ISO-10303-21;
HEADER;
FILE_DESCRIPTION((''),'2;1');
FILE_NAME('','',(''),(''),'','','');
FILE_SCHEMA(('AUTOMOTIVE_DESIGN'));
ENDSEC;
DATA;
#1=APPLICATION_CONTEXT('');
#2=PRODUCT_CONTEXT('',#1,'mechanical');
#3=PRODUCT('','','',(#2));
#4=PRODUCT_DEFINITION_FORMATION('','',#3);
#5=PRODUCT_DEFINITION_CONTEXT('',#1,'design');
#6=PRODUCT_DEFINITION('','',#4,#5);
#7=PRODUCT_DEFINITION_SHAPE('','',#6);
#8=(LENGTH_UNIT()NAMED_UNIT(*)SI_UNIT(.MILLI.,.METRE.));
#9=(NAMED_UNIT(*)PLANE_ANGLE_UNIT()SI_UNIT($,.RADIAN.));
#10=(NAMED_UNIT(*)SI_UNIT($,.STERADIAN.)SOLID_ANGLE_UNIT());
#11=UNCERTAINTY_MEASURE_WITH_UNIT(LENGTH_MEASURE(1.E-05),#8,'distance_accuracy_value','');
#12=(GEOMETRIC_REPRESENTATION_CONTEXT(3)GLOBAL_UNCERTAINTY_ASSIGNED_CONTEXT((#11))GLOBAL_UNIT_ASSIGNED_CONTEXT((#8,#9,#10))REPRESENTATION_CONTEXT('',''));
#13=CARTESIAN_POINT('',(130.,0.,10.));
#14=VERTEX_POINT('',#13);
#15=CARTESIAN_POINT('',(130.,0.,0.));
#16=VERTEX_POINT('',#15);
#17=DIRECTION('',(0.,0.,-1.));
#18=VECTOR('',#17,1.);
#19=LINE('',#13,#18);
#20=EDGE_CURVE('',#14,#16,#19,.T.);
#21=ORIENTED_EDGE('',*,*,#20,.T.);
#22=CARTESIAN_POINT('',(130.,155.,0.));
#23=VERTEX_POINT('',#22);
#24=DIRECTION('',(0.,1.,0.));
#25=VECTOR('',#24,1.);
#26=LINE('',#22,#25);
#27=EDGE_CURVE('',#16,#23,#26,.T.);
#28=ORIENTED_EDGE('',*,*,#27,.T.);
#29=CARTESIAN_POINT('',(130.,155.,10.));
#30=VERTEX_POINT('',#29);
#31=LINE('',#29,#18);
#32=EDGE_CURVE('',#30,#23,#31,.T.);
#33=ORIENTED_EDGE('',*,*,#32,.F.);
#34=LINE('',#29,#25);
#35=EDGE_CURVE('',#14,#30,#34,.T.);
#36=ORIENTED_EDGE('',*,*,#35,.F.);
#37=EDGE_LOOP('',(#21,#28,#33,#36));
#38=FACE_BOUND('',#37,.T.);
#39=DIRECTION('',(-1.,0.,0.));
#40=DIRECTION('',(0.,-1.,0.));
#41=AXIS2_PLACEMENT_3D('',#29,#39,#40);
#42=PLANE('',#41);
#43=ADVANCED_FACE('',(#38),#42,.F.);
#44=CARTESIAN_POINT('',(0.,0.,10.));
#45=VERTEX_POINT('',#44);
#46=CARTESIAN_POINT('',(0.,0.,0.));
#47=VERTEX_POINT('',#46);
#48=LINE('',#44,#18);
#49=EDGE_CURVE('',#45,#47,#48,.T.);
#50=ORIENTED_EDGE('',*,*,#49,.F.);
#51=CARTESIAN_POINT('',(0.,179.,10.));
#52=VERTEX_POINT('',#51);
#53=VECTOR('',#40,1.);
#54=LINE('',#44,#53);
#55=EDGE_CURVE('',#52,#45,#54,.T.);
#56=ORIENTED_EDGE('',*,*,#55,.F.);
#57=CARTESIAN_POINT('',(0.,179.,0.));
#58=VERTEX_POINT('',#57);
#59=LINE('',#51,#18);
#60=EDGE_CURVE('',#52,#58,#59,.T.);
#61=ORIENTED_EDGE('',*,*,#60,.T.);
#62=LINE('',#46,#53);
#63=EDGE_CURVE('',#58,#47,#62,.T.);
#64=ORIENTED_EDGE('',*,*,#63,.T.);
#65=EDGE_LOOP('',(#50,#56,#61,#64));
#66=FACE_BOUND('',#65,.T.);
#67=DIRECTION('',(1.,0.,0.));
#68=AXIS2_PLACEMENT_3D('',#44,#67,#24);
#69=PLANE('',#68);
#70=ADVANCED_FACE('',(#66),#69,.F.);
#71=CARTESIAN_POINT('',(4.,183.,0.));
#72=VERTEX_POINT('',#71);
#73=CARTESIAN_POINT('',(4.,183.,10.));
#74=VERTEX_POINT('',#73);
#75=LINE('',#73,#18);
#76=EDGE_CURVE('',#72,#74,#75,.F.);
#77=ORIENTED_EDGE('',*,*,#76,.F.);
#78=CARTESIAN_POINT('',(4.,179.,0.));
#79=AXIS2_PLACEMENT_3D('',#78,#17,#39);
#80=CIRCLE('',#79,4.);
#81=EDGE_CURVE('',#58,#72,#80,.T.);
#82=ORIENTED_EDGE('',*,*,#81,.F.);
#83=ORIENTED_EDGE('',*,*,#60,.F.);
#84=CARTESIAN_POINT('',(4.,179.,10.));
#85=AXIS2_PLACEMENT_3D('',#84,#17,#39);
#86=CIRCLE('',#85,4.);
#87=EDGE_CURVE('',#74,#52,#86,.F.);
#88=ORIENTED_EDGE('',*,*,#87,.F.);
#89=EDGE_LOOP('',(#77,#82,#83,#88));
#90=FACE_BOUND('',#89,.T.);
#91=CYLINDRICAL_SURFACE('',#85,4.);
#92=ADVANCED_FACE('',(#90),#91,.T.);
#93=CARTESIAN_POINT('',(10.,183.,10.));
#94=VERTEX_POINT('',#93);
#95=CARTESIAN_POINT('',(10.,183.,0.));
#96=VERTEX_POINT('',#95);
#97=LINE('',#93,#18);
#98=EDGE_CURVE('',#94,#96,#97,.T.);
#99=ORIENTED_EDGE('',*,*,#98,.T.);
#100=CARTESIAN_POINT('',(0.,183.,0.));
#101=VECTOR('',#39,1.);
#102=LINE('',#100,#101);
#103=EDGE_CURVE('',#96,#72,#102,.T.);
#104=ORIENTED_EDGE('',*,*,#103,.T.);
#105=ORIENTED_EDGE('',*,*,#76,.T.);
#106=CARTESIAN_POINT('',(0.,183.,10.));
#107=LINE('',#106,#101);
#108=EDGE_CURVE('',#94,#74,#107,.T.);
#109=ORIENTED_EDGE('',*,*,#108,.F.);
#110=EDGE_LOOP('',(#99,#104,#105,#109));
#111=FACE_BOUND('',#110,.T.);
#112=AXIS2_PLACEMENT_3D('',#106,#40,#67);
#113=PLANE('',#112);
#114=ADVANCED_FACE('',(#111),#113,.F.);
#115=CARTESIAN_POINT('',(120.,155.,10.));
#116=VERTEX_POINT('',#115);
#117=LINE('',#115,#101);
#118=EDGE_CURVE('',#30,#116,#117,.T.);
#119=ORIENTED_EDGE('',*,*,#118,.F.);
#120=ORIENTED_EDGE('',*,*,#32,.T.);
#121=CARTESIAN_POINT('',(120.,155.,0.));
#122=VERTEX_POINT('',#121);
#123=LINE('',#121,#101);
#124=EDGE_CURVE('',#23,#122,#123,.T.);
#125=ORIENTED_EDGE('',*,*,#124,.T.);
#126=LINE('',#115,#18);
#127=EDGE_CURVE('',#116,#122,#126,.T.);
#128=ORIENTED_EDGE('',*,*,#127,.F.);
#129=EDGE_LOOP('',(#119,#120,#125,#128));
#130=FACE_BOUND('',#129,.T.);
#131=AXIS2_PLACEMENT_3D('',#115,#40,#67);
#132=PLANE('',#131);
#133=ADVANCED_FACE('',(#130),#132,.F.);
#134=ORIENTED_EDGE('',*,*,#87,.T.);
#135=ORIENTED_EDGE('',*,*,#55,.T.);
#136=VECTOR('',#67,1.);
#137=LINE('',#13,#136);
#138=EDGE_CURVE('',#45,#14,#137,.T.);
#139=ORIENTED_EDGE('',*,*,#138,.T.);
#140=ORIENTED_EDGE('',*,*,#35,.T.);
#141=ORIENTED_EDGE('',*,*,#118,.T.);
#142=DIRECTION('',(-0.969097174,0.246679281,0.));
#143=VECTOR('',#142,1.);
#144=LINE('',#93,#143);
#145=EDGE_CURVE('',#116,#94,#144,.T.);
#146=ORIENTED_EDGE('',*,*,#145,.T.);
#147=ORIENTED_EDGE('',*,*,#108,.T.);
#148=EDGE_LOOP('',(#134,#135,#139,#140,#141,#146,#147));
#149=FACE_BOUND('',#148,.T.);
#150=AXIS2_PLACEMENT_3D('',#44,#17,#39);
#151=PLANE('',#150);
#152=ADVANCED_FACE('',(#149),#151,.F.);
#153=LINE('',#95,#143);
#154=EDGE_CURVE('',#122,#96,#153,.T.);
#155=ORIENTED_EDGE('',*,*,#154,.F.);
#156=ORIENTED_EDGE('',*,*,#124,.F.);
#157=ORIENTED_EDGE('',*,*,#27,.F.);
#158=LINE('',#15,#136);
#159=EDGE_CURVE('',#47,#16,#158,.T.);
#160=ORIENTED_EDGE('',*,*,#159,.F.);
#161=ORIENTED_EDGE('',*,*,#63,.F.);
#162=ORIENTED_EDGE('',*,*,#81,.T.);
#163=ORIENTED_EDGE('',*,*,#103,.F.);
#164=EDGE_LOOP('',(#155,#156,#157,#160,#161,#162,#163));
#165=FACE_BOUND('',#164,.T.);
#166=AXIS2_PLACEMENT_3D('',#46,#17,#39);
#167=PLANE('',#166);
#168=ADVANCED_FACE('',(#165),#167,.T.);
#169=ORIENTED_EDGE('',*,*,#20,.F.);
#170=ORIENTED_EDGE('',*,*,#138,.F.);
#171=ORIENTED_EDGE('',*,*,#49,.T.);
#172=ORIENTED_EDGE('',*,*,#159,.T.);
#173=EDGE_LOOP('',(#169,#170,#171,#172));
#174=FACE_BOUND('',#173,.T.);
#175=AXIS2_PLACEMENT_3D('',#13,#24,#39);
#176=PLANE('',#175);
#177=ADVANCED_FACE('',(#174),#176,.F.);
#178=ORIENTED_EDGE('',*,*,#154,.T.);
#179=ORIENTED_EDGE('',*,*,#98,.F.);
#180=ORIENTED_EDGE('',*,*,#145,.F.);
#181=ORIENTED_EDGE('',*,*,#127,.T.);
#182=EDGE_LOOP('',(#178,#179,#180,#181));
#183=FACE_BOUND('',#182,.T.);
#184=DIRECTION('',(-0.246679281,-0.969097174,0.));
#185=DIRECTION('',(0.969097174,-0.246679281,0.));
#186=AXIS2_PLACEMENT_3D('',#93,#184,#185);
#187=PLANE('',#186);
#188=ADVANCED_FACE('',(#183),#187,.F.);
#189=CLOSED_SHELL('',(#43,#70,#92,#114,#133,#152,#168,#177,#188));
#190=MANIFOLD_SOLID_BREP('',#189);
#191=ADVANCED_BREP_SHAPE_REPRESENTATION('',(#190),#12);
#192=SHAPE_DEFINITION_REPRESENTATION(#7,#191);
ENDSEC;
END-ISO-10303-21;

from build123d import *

# Parameters (mm, degrees)
BOSS_EXTRU_1_DEPTH = 10
CONG_1_R           = 4


with BuildPart() as part:
    # Esquisse1 → Boss.-Extru.1 (new body)
    with BuildSketch(Plane.XY):
        Polygon((0, 183), (10, 183), (120, 155), (130, 155), (130, 0), (0, 0), align=None)
    extrude(amount=BOSS_EXTRU_1_DEPTH)

    # Congé1
    cong_1_edges = [part.edges().sort_by_distance(p)[0] for p in [
        (0, 183, 5),
    ]]
    fillet(cong_1_edges, radius=CONG_1_R)


solid = part.part
